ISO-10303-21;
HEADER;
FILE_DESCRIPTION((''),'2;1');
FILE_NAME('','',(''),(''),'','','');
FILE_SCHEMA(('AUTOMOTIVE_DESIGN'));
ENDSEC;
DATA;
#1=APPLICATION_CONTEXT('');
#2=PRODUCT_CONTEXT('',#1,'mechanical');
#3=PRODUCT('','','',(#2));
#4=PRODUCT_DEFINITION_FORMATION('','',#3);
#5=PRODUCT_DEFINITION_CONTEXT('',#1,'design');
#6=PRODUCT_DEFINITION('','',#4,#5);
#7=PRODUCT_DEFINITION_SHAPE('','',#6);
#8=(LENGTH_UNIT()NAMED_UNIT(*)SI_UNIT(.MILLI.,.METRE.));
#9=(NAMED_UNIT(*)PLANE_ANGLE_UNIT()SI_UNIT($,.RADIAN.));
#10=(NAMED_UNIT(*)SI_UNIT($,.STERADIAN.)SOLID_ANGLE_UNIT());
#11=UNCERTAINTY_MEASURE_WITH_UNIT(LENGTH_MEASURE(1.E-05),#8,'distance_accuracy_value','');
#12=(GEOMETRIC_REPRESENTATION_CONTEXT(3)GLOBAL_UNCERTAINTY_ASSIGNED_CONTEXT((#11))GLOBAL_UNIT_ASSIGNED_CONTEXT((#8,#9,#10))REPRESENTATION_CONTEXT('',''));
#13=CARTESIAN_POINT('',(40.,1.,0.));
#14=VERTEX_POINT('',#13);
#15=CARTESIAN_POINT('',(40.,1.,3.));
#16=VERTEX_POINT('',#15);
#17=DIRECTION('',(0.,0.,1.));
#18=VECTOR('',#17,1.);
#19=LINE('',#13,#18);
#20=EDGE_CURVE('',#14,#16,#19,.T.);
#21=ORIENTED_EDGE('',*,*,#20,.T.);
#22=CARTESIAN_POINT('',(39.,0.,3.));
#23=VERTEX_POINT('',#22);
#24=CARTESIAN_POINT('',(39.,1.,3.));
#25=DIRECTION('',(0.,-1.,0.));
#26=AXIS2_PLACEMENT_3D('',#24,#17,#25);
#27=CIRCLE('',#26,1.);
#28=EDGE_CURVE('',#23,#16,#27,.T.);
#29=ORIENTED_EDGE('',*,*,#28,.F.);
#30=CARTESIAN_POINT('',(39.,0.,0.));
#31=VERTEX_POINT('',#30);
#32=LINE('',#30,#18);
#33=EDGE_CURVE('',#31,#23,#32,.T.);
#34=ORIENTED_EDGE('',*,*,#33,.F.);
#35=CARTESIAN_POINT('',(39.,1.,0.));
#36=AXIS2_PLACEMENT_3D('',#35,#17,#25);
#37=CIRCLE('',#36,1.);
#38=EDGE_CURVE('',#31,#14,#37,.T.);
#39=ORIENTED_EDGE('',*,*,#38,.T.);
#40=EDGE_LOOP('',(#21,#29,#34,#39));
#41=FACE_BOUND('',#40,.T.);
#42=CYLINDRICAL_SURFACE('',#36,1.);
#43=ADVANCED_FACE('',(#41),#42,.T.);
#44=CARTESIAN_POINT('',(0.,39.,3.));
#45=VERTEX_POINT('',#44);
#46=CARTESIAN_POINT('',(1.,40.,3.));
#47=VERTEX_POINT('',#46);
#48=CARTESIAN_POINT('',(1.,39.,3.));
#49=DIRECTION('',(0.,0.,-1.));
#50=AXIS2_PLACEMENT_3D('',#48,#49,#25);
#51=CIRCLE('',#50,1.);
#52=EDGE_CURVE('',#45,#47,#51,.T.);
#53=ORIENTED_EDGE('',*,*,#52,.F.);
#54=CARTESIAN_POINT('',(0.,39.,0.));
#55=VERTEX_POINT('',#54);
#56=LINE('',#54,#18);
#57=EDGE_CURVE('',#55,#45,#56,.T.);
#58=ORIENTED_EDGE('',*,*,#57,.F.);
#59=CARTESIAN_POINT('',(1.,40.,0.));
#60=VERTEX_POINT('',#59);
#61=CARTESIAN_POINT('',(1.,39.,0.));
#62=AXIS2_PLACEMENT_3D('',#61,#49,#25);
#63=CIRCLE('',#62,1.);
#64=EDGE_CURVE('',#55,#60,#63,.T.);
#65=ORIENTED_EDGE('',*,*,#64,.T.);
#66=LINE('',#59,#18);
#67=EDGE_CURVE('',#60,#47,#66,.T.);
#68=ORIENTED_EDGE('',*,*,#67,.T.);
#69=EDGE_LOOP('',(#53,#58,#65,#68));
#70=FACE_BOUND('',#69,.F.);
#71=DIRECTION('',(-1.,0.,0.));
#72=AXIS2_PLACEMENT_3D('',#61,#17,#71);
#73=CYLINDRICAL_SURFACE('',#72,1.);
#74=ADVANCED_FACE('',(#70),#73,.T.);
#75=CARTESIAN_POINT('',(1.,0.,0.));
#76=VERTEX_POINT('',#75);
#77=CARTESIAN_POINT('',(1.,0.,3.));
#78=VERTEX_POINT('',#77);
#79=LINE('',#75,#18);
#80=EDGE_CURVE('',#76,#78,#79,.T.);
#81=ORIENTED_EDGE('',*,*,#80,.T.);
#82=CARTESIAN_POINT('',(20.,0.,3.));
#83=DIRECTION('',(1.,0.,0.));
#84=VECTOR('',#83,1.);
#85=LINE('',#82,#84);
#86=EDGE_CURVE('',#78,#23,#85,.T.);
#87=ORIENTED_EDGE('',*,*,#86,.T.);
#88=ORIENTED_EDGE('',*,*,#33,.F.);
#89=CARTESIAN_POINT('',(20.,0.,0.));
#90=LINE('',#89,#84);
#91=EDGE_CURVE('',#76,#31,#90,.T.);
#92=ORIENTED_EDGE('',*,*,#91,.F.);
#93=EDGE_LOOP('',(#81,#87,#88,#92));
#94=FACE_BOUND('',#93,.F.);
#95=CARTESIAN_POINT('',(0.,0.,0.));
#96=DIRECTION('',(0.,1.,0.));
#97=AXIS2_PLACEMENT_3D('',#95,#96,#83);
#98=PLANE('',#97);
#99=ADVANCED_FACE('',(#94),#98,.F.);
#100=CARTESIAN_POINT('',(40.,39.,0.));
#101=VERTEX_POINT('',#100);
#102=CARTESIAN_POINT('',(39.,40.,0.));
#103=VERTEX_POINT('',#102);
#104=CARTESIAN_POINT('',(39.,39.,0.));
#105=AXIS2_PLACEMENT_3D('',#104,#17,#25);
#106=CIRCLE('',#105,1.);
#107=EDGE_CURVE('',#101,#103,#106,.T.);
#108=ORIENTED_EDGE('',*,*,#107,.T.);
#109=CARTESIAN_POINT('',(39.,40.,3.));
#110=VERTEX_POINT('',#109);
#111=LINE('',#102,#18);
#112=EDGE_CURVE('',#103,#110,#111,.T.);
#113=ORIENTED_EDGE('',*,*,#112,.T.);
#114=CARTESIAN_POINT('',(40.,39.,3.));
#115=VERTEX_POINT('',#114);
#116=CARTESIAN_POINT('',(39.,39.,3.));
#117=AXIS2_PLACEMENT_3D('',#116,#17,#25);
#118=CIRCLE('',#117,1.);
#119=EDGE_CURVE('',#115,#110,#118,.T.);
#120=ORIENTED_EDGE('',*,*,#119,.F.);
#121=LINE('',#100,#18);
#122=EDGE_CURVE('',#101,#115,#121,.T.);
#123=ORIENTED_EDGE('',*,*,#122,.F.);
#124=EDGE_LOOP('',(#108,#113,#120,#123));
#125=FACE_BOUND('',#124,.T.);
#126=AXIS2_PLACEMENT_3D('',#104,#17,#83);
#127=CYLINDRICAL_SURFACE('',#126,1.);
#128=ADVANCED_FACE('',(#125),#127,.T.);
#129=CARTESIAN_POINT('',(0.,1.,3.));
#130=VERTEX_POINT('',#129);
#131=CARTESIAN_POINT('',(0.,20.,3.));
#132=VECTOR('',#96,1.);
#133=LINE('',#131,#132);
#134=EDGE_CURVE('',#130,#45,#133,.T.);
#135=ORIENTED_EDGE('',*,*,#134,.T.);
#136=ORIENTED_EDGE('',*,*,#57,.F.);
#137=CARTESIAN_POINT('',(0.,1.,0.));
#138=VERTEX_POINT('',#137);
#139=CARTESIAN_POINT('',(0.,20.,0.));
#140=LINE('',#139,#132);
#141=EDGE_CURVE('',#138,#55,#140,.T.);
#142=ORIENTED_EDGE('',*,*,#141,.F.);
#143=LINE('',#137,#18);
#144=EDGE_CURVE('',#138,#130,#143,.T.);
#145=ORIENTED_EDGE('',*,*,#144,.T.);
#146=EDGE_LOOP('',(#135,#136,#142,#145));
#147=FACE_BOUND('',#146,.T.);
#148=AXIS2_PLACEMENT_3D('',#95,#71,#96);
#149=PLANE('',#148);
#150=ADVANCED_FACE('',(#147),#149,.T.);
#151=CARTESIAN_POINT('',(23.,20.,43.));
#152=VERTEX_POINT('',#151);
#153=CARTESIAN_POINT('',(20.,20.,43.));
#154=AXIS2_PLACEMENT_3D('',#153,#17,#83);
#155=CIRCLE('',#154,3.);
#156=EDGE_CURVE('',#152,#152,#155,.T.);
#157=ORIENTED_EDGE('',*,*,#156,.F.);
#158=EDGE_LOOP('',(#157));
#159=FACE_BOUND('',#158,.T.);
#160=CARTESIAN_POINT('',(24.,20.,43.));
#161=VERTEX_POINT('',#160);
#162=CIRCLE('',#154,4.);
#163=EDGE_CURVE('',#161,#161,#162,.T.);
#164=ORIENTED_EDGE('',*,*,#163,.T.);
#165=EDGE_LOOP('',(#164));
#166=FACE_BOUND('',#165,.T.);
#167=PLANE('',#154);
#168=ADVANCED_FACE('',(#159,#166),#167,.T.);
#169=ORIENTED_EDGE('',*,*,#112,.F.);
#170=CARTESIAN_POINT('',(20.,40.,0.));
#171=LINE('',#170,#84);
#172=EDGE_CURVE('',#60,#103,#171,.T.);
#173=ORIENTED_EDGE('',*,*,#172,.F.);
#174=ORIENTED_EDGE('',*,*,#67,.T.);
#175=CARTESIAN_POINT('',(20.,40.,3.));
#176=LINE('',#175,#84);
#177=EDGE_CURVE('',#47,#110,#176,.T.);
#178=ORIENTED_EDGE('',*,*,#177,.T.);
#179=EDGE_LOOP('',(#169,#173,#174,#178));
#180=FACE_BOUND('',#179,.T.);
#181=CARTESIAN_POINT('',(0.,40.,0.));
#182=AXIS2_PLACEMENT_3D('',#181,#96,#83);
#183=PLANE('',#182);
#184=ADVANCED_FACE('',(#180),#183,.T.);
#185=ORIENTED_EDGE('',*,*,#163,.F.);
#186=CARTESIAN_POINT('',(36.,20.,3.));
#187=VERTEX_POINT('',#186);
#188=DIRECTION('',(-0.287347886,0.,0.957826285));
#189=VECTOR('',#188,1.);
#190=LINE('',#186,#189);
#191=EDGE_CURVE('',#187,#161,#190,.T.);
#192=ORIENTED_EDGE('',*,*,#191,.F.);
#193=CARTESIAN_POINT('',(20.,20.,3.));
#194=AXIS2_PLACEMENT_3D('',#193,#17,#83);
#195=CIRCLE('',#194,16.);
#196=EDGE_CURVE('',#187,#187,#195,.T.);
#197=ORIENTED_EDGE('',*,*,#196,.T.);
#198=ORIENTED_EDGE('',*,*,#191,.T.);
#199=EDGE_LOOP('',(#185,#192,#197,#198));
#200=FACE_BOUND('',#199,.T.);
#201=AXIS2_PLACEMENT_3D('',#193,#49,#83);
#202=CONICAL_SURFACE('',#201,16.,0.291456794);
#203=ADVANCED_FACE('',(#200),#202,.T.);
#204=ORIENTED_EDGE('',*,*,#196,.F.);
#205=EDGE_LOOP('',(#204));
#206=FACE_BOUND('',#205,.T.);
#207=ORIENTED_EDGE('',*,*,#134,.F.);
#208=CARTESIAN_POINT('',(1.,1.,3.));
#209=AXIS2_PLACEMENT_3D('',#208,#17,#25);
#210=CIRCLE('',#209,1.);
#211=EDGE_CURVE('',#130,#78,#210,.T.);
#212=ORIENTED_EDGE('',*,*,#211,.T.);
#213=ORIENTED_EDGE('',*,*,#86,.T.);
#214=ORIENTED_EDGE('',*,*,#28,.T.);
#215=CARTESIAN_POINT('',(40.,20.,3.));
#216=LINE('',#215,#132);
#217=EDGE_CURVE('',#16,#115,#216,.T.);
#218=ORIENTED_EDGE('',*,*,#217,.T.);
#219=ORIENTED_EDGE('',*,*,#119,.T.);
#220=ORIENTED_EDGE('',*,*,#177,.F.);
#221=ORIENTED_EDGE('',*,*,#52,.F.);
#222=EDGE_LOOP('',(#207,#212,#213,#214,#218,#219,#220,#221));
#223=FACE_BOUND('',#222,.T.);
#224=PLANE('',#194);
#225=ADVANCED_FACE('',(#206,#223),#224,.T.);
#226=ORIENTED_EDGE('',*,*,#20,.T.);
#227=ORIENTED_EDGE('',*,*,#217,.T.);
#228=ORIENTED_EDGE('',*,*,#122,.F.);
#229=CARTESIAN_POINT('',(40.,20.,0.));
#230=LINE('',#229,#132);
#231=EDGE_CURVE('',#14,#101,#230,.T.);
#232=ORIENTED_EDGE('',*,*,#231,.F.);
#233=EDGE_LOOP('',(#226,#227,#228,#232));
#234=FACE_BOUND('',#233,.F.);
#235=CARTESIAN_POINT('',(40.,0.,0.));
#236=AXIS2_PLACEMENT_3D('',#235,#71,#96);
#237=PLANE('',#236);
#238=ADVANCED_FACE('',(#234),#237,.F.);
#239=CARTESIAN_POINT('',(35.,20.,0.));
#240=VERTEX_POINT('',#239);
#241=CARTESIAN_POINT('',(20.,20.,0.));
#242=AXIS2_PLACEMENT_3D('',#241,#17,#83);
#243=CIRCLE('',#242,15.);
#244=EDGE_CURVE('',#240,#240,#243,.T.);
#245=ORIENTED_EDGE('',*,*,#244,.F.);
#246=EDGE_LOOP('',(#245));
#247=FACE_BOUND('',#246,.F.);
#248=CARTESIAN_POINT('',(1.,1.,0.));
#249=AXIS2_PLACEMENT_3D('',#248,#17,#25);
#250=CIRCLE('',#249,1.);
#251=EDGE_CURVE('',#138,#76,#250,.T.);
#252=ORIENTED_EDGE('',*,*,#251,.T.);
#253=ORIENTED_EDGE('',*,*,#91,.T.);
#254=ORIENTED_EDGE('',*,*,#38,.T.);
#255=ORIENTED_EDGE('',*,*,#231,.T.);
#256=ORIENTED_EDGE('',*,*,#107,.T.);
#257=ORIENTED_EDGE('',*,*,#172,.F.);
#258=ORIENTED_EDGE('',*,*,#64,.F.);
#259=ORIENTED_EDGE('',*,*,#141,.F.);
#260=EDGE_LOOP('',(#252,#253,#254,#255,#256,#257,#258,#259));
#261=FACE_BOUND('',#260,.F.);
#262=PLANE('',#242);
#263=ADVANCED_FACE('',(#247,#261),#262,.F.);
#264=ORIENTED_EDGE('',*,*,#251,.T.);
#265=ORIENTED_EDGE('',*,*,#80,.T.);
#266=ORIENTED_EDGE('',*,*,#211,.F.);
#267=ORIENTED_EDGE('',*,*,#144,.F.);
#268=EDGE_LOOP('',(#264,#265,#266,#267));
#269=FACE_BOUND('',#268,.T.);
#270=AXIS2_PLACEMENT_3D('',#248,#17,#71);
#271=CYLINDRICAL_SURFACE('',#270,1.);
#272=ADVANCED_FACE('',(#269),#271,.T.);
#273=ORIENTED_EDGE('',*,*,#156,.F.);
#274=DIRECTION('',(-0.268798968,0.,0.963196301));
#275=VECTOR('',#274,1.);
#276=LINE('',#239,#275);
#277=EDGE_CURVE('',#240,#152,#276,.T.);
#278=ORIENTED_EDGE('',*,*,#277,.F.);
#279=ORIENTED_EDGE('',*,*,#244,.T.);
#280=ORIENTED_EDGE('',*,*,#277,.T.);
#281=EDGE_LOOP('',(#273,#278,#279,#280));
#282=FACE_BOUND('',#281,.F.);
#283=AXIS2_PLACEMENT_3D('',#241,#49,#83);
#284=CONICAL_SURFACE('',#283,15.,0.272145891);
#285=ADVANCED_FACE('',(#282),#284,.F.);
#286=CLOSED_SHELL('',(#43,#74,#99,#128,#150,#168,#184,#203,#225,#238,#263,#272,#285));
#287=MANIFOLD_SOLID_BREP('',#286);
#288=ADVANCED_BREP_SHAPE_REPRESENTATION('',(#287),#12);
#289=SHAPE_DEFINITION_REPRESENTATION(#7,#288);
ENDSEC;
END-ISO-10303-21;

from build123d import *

# Parameters (mm, degrees)
BOX_W     = 40
BOX_H     = 40
BOX_DEPTH = 3
FILLET_R  = 1


with BuildPart() as cone001:
    # Cone001 → Cone001 (revolve)
    with BuildSketch(Plane(origin=(20, 20, 0), x_dir=(1, 0, 0), z_dir=(0, -1, 0))):
        Polygon((0, 0), (15, 0), (3, 43), (0, 43), align=None)
    revolve(axis=Axis((20, 20, 0), (0, 0, 1)))


with BuildPart() as cut:
    # Cone → Cone (revolve)
    with BuildSketch(Plane(origin=(20, 20, 3), x_dir=(1, 0, 0), z_dir=(0, -1, 0))):
        Polygon((0, 0), (16, 0), (4, 40), (0, 40), align=None)
    revolve(axis=Axis((20, 20, 3), (0, 0, 1)))

    # Cut: cut Cone001
    add(cone001.part, mode=Mode.SUBTRACT)


with BuildPart() as cone002:
    # Cone002 → Cone002 (revolve)
    with BuildSketch(Plane(origin=(20, 20, 0), x_dir=(1, 0, 0), z_dir=(0, -1, 0))):
        Polygon((0, 0), (15, 0), (3, 43), (0, 43), align=None)
    revolve(axis=Axis((20, 20, 0), (0, 0, 1)))


with BuildPart() as fusion:
    # Box → Box (new body)
    with BuildSketch(Plane.XY):
        with Locations((20, 20)):
            Rectangle(BOX_W, BOX_H)
    extrude(amount=BOX_DEPTH)

    # Fillet
    fillet_edges = [fusion.edges().sort_by_distance(p)[0] for p in [
        (0, 0, 1.5),
        (0, 40, 1.5),
        (40, 0, 1.5),
        (40, 40, 1.5),
    ]]
    fillet(fillet_edges, radius=FILLET_R)

    # Cut001: cut Cone002
    add(cone002.part, mode=Mode.SUBTRACT)

    # Fusion: union Cut
    add(cut.part)


solid = fusion.part
